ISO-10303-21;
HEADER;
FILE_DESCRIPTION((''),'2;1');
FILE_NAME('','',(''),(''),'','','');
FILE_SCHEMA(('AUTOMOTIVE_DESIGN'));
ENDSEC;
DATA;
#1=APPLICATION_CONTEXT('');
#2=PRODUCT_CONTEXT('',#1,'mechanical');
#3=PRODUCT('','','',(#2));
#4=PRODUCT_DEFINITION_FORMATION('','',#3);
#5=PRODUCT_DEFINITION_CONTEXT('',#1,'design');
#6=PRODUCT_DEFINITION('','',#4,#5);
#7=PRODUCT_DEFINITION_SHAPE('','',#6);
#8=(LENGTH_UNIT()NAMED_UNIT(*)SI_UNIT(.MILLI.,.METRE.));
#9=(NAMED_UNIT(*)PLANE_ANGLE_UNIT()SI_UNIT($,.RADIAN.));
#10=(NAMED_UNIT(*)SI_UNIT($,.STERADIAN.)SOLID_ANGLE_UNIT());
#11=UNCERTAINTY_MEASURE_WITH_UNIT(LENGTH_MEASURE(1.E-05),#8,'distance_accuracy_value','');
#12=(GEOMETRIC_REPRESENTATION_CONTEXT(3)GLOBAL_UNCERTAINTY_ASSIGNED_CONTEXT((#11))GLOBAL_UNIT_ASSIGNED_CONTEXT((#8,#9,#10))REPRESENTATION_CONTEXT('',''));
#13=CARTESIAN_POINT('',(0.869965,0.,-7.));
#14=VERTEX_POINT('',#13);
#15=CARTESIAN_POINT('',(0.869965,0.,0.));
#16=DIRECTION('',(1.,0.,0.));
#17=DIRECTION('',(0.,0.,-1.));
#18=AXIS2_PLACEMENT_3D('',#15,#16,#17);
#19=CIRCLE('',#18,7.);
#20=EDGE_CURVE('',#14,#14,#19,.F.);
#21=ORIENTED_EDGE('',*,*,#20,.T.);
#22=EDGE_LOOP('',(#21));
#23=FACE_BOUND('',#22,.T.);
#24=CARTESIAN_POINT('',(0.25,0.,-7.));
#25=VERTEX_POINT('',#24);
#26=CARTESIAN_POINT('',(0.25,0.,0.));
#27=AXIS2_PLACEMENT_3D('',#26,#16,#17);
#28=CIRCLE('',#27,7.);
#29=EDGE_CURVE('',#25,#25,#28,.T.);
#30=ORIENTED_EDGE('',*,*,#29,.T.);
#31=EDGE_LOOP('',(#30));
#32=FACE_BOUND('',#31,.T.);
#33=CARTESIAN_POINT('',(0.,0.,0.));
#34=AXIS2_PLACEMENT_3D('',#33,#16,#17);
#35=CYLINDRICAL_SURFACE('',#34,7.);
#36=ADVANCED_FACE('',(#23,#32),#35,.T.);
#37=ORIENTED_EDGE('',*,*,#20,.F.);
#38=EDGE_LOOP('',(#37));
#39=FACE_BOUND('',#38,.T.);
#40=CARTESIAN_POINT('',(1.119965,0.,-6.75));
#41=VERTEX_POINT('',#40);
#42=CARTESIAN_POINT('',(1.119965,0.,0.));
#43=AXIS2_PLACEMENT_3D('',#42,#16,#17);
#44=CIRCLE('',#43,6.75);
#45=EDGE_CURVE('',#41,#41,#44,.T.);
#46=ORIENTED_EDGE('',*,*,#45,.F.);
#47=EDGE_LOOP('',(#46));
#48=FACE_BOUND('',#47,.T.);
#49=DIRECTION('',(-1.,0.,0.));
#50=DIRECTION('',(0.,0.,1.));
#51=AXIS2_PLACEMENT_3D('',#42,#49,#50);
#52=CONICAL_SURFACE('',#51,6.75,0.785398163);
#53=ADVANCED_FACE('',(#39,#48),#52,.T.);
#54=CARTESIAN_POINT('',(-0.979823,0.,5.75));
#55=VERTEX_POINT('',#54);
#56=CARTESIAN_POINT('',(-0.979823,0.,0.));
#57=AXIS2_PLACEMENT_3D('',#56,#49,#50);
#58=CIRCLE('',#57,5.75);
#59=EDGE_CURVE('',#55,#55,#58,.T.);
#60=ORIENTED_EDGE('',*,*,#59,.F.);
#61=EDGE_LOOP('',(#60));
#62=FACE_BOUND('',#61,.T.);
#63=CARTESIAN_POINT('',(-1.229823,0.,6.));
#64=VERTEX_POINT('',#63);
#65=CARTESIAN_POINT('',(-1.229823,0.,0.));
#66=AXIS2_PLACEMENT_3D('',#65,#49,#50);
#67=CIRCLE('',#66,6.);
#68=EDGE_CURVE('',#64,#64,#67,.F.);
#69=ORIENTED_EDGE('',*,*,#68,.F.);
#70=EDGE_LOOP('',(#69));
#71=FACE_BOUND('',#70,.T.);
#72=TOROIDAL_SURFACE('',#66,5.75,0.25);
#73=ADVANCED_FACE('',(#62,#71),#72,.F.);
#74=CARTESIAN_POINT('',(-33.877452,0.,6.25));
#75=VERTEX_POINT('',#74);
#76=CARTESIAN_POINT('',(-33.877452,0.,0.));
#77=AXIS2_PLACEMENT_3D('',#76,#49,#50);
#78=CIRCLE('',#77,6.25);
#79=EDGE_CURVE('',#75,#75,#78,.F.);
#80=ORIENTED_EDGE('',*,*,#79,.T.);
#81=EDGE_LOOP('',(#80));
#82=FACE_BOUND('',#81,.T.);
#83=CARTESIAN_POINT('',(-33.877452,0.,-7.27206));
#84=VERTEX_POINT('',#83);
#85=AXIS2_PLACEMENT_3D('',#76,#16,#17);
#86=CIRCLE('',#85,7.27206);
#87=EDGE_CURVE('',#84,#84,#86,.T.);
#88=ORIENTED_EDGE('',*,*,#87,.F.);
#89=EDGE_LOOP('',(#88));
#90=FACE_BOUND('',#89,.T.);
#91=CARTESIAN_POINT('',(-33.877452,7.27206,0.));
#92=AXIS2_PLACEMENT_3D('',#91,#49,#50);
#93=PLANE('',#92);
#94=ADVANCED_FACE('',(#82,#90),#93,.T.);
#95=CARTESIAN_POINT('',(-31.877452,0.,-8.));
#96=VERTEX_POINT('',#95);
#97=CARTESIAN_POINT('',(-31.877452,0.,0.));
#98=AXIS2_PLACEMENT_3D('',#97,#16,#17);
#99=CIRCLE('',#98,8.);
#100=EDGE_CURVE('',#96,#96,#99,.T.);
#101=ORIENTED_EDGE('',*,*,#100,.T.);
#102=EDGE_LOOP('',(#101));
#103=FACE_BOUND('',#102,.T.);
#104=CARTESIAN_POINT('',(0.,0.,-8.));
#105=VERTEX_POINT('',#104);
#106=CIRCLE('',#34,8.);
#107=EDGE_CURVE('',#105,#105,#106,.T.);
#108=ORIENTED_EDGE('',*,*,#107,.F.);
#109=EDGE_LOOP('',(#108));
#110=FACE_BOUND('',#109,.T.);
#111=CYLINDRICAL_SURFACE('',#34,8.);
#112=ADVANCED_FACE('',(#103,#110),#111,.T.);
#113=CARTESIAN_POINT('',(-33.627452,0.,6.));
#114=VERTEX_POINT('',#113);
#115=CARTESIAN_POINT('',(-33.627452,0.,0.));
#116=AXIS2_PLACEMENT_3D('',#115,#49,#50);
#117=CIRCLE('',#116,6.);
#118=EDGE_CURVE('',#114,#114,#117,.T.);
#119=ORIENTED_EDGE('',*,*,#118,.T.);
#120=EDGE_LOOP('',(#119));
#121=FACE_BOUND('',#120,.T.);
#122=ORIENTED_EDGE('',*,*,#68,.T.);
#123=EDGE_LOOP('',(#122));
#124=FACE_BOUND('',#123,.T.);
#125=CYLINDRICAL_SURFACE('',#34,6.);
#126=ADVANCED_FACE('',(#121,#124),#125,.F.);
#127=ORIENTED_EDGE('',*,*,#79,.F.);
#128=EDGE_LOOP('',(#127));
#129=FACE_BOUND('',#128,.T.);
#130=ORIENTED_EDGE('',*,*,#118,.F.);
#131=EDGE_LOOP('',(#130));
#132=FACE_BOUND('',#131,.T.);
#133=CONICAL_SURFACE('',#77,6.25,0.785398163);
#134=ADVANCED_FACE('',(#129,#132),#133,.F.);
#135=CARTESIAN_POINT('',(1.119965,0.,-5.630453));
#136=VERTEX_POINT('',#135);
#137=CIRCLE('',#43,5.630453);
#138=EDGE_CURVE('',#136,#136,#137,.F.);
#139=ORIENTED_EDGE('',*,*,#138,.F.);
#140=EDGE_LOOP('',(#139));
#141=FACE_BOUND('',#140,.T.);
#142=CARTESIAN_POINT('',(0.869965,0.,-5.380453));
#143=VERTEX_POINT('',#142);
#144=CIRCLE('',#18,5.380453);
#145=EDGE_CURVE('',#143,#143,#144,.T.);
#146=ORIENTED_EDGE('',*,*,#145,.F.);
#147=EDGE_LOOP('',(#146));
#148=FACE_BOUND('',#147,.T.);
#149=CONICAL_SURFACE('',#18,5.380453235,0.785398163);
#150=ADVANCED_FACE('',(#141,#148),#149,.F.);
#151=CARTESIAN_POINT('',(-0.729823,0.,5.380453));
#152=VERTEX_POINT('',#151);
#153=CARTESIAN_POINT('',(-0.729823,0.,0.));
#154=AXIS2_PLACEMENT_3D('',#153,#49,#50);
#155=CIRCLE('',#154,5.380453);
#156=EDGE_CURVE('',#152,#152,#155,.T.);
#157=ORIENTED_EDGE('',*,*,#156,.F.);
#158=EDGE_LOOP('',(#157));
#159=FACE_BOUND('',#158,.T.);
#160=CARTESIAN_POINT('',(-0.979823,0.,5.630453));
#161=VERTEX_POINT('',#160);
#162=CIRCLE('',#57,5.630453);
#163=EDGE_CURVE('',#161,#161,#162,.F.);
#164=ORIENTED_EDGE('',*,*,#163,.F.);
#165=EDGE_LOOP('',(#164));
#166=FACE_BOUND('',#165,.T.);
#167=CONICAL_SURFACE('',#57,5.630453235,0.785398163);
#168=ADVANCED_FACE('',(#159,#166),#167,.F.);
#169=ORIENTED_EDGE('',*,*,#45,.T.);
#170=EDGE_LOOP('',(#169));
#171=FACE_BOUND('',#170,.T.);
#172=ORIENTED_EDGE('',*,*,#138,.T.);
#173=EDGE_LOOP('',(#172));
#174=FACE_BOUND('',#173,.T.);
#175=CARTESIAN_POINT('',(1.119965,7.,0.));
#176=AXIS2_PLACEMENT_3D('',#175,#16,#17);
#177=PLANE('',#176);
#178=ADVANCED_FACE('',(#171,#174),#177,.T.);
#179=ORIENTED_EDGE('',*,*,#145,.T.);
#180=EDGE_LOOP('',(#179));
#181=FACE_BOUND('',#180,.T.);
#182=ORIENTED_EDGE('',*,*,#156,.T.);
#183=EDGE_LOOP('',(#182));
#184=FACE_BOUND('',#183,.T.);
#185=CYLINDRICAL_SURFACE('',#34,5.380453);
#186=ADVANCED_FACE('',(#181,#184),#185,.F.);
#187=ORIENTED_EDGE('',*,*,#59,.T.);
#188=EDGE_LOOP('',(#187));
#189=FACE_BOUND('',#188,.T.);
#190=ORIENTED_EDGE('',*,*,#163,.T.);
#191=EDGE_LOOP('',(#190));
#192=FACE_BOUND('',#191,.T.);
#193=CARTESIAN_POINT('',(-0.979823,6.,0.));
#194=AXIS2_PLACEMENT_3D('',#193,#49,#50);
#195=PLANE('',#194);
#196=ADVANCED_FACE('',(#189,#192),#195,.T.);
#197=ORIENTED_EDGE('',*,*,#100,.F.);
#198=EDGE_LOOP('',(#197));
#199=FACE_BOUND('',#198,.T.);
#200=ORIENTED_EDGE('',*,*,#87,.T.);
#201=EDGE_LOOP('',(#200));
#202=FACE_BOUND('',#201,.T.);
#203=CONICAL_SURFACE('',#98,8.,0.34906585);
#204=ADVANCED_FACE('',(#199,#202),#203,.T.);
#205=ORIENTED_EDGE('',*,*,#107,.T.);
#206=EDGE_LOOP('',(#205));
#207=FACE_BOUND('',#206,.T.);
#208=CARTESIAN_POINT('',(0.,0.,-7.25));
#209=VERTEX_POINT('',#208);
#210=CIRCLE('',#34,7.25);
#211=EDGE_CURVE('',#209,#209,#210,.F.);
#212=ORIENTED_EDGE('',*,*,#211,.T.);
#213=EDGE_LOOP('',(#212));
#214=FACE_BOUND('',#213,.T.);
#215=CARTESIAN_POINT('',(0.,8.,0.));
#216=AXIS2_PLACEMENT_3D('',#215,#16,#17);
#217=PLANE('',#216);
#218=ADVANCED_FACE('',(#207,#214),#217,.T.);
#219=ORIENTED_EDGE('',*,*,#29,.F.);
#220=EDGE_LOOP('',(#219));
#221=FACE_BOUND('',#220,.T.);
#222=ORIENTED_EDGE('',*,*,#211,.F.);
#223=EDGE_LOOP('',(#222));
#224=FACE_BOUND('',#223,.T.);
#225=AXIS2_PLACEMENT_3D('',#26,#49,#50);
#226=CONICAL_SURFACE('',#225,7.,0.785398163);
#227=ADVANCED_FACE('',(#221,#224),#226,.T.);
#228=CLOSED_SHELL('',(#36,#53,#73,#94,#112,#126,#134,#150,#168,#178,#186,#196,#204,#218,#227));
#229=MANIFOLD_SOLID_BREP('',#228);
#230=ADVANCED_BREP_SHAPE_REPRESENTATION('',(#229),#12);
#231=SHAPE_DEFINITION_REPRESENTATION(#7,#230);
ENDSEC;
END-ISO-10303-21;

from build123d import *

# Parameters (mm, degrees)
CHAFL_N10_SIZE = 0.25
FILLET1_R      = 0.25


with BuildPart() as part:
    # Sketch1 → Revolve1 (revolve)
    with BuildSketch(Plane.XY, mode=Mode.PRIVATE) as revolve1_sk:
        Polygon((-33.87745169, 7.272059531), (-31.87745169, 8), (0, 8), (0, 7), (1.119965147, 7), (1.119965147, 5.380453235), (0, 5.380453235), (-0.979823496, 5.380453235), (-0.979823496, 6), (-33.87745169, 6), align=None)
    revolve(revolve1_sk.sketch.rotate(Axis((0, 0, 0), (-1, 0, 0)), 90), axis=Axis((0, 0, 0), (-1, 0, 0)))

    # Chaflán10
    chafl_n10_edges = [part.edges().sort_by_distance(p)[0] for p in [
        (-33.87745169, 0, 6),
        (-0.979823496, 0, 5.380453235),
        (1.119965147, 0, 5.380453235),
        (1.119965147, 0, 7),
        (0, 0, 7),
    ]]
    chamfer(chafl_n10_edges, length=CHAFL_N10_SIZE)

    # Fillet1
    fillet1_edges = [part.edges().sort_by_distance(p)[0] for p in [
        (-0.979823496, 0, 6),
    ]]
    fillet(fillet1_edges, radius=FILLET1_R)


solid = part.part
